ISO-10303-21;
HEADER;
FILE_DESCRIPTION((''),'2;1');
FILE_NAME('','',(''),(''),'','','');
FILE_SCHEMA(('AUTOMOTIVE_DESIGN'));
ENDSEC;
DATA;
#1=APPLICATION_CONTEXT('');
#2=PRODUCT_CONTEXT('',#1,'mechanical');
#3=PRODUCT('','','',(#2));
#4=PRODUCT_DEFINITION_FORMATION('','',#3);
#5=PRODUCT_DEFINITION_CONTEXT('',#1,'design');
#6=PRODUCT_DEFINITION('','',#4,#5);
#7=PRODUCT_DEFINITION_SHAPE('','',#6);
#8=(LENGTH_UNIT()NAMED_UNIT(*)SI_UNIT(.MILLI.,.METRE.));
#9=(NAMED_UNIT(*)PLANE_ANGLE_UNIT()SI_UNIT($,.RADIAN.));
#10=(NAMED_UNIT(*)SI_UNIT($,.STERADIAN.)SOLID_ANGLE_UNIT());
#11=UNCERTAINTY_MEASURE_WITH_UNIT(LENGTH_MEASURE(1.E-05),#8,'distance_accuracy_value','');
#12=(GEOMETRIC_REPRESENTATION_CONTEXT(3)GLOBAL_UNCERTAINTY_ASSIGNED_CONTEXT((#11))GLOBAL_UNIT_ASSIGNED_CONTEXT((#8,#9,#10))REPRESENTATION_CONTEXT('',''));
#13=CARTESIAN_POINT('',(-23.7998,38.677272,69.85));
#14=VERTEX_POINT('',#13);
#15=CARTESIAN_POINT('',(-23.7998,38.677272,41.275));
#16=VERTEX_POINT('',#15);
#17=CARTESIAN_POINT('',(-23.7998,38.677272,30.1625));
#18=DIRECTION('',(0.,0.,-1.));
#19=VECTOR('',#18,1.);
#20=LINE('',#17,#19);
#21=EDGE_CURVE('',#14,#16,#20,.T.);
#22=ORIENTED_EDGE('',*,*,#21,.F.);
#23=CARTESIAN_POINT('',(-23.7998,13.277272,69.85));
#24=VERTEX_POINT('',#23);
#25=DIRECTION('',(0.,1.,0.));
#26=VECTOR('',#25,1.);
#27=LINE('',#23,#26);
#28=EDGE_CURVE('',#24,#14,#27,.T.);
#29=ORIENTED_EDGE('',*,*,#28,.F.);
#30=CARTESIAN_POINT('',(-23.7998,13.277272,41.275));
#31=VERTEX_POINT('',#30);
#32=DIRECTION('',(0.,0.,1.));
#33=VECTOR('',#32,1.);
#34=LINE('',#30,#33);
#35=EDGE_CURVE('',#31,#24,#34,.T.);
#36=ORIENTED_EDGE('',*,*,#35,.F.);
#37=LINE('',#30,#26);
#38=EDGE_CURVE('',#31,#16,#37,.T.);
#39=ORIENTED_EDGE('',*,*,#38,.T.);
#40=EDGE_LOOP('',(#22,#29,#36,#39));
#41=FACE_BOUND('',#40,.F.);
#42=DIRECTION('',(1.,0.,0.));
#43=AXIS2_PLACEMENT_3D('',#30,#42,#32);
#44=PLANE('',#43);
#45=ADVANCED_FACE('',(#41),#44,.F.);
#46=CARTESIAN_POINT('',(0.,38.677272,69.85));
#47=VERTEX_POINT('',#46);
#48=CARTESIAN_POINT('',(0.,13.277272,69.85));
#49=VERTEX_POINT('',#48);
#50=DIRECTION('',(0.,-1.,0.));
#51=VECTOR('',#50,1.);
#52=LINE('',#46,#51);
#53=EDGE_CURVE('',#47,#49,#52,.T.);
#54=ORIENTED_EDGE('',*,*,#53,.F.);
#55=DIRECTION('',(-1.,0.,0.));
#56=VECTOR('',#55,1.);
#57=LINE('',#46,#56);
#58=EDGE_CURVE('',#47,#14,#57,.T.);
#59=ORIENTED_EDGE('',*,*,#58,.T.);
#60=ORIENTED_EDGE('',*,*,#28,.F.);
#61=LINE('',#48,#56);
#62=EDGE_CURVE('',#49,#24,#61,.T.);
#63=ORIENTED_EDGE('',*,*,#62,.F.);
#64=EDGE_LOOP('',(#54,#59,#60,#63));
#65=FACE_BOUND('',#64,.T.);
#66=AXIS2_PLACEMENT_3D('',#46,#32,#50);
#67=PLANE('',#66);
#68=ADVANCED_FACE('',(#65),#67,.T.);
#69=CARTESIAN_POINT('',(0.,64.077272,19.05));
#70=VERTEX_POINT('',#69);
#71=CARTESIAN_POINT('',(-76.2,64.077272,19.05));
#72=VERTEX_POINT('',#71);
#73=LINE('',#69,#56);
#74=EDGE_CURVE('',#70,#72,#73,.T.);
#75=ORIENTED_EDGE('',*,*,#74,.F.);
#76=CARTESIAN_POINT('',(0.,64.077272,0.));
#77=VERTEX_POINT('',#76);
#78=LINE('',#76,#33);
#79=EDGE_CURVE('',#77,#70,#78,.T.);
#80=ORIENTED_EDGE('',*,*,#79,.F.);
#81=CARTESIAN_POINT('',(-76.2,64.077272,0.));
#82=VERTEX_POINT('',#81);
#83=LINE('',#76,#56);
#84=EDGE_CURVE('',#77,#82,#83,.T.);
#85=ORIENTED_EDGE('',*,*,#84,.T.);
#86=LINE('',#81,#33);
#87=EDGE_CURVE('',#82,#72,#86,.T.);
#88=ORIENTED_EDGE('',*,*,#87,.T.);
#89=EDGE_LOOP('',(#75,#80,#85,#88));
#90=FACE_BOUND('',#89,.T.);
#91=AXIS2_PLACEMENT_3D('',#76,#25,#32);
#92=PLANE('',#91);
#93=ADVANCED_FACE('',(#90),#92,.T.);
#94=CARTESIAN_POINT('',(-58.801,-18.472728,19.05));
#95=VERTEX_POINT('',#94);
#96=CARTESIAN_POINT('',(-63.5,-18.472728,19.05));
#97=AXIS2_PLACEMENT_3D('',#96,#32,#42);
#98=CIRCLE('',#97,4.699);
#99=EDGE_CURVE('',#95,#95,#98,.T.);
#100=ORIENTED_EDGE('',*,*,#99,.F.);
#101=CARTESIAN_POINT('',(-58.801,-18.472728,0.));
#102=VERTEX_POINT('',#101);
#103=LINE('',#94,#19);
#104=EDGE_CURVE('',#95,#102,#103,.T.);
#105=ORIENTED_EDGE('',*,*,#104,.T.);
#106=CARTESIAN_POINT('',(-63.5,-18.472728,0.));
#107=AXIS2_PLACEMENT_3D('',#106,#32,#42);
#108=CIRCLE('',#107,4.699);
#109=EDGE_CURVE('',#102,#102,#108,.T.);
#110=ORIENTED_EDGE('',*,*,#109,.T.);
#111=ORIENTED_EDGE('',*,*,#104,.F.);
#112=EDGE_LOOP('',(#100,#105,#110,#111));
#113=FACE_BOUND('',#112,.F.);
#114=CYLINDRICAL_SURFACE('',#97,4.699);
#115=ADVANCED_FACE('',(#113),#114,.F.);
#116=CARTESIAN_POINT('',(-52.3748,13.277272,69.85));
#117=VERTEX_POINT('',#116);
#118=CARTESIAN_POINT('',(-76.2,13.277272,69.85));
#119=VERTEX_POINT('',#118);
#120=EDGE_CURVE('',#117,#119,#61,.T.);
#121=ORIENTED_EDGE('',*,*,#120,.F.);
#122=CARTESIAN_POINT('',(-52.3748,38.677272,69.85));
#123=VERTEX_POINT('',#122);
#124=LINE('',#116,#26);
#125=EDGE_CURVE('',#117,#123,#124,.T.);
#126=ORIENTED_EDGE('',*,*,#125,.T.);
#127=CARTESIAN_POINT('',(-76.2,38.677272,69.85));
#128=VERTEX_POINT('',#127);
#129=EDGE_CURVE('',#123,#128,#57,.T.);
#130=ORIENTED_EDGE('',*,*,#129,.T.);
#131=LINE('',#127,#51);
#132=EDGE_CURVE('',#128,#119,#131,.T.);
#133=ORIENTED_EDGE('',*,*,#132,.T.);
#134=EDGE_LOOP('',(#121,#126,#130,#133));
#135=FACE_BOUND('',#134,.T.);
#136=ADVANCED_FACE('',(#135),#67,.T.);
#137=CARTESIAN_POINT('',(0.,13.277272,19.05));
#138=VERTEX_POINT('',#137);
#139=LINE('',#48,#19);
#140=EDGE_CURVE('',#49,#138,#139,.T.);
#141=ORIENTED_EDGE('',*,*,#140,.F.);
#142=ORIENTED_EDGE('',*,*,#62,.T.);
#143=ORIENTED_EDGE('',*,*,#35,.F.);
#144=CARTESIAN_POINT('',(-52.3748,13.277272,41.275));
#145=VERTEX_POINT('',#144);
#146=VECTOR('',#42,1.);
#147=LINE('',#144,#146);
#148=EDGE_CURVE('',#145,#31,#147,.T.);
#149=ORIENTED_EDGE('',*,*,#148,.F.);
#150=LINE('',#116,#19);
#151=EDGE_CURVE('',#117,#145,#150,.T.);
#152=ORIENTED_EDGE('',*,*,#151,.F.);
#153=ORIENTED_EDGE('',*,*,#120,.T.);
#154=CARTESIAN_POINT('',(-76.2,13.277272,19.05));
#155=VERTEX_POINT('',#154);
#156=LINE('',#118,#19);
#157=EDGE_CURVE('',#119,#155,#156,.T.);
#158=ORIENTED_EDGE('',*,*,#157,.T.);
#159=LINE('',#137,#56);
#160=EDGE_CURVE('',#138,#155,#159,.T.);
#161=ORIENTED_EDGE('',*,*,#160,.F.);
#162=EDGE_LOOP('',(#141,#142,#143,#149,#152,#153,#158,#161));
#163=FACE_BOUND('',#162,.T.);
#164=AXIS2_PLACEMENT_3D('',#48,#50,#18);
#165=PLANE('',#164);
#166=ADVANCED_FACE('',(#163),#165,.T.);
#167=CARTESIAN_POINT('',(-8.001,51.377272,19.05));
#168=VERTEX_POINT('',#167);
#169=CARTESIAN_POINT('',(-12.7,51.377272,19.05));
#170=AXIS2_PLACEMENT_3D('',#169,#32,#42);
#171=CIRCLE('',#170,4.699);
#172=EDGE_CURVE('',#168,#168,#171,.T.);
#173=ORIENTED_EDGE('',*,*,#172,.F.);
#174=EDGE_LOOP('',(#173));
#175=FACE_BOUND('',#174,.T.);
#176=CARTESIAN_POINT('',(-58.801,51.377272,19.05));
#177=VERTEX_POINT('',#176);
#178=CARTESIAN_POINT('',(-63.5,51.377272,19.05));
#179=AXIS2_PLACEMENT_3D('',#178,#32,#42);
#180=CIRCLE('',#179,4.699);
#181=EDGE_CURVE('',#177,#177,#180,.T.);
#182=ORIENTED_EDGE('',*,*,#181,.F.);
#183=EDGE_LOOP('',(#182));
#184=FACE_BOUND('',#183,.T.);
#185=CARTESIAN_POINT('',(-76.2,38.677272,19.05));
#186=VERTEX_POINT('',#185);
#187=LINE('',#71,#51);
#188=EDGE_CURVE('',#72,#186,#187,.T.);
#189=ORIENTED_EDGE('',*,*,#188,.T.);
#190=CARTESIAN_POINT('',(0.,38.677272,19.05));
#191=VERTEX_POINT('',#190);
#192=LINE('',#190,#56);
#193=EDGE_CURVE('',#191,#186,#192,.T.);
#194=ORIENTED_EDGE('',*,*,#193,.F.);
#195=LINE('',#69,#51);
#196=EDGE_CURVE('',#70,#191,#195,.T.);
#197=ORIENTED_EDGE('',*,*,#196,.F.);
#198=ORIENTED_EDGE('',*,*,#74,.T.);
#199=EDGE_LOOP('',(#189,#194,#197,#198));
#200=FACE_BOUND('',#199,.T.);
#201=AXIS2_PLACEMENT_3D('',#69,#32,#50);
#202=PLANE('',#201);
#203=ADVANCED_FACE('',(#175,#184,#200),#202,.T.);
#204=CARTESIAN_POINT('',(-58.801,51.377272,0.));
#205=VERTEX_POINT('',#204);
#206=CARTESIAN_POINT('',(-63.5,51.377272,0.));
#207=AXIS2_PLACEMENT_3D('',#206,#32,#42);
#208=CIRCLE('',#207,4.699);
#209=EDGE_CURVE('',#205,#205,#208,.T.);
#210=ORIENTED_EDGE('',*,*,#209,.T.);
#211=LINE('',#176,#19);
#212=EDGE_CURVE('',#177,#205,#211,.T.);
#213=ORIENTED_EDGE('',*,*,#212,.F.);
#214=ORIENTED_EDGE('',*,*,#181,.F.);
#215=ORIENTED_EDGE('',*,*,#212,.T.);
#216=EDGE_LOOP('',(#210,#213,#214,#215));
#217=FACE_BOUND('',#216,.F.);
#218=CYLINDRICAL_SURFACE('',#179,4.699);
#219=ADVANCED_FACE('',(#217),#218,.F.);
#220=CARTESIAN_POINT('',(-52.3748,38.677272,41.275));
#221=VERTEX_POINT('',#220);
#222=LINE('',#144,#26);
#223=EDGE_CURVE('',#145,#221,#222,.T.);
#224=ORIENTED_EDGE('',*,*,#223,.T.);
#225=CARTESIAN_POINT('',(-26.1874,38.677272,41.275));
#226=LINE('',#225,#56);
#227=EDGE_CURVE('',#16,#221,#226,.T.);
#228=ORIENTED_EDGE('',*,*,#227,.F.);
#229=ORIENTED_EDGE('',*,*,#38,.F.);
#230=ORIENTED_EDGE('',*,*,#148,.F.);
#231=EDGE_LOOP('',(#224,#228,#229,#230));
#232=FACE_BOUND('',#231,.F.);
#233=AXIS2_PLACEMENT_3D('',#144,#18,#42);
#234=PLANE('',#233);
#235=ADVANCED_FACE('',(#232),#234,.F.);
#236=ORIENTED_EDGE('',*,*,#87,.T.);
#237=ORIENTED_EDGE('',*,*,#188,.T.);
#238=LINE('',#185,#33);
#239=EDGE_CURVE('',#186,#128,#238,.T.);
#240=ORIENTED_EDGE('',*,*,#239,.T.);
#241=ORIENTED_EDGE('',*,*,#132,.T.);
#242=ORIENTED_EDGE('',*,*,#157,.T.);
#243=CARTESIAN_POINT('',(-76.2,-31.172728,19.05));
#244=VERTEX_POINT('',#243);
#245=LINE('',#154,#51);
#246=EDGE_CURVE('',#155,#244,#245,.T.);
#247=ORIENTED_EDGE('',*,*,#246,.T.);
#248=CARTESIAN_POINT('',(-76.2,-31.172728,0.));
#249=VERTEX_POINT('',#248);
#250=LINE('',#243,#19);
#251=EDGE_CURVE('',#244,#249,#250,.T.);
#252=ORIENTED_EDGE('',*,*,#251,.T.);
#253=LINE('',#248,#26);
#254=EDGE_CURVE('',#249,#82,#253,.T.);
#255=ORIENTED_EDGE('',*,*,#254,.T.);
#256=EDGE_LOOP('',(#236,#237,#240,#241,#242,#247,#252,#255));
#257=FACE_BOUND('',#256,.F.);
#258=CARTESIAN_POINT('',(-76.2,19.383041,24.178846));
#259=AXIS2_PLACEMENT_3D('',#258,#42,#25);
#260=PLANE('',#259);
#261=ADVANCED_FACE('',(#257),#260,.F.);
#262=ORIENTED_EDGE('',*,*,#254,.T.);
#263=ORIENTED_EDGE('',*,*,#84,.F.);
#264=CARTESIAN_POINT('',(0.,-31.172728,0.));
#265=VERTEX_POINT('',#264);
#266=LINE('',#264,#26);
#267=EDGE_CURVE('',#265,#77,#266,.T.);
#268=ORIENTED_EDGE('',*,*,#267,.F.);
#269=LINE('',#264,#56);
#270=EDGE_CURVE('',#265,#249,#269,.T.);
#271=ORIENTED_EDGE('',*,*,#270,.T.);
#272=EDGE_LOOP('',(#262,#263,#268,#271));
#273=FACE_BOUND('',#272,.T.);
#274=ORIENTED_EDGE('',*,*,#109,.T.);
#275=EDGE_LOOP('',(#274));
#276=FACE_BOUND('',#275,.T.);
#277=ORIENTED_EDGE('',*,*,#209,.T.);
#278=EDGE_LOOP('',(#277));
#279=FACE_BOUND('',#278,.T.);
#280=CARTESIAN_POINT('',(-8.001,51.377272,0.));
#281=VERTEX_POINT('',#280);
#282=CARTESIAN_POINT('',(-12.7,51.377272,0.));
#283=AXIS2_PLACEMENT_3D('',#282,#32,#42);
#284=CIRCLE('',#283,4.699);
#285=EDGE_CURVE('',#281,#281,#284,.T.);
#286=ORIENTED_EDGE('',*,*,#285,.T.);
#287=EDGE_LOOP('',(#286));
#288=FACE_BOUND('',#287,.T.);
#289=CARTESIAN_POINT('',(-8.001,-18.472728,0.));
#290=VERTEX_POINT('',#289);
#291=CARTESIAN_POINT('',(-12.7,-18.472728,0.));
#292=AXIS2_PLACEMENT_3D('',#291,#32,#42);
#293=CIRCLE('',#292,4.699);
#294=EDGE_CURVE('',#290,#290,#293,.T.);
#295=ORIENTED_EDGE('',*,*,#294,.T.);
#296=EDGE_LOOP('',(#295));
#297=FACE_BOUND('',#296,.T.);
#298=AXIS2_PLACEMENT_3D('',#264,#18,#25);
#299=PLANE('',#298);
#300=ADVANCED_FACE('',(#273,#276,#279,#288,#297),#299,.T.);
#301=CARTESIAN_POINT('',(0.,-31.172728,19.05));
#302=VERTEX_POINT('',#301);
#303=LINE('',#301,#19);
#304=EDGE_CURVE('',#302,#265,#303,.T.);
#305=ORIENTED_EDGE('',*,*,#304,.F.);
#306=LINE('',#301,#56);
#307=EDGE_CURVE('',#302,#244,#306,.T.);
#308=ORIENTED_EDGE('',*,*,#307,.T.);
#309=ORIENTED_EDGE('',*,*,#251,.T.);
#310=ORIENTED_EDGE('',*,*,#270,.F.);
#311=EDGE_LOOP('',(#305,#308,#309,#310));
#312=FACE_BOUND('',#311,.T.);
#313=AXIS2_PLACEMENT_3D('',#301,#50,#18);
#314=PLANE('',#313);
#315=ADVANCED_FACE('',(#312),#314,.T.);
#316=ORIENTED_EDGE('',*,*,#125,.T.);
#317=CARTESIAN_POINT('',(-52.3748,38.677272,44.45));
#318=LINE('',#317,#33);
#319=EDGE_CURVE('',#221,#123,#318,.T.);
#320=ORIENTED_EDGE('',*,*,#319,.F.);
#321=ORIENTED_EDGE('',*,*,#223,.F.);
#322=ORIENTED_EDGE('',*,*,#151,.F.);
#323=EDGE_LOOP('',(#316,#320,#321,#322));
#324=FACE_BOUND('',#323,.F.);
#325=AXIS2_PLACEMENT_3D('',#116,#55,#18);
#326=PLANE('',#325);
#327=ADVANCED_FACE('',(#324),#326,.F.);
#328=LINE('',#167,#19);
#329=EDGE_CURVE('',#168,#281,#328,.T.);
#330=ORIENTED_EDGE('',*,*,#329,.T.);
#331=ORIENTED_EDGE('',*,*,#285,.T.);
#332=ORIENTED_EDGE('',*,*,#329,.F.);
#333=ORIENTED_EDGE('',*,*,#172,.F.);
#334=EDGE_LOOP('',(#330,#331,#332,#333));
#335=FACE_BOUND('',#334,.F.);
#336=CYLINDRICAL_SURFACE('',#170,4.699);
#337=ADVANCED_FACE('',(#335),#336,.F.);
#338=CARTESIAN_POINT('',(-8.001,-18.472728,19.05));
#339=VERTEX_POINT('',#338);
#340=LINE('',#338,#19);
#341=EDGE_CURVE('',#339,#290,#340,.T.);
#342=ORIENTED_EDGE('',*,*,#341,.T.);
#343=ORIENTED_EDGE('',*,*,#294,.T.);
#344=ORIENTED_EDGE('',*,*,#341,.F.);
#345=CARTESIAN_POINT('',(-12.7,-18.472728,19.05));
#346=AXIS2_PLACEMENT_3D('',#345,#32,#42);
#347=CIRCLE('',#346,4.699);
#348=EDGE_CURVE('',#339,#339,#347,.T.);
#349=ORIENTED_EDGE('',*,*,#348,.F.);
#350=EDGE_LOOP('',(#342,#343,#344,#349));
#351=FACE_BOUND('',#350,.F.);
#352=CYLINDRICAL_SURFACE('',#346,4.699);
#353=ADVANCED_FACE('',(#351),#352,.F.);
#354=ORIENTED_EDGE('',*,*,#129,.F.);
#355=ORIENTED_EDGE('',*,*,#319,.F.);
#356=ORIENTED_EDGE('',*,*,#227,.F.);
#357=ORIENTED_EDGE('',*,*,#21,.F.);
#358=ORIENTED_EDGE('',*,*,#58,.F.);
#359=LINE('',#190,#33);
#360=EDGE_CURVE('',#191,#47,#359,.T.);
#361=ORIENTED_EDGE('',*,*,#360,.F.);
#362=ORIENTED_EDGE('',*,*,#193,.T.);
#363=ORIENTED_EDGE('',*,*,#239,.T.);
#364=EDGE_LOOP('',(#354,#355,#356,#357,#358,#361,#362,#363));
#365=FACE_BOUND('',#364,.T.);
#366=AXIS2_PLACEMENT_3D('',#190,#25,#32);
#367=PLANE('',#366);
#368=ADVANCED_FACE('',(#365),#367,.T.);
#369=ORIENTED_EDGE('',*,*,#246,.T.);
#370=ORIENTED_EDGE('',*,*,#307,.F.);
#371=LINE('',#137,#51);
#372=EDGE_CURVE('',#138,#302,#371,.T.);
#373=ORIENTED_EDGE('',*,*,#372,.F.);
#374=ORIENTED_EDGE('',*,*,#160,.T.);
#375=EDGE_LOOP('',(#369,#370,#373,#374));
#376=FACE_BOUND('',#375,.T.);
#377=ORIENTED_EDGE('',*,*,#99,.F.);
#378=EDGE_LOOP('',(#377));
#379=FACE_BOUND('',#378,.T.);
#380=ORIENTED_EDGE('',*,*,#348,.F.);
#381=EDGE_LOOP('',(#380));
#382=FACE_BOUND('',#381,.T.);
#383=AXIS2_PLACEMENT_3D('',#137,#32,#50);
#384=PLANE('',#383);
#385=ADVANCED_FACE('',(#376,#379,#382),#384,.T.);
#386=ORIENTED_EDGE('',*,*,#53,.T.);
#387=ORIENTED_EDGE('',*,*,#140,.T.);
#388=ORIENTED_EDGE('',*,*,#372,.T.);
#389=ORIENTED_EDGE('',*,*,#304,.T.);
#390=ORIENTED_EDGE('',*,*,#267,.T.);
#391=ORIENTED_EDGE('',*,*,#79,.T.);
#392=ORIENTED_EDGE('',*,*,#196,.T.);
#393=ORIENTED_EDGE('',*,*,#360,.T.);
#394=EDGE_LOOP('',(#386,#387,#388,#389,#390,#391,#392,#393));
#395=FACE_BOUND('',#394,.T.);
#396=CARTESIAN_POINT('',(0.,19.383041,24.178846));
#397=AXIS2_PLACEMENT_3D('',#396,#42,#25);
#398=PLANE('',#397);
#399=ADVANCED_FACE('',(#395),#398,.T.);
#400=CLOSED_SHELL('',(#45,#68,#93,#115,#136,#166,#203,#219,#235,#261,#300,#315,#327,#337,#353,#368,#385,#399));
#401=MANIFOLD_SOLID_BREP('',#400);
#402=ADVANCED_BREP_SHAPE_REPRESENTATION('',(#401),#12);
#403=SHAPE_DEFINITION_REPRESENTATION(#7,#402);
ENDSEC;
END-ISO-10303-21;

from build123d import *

# Parameters (mm, degrees)
F1_DEPTH = 76.2
F3_DEPTH = 50.801
F5_R     = 4.699
F6_DEPTH = 19.051
F4_R     = 4.699
F7_DEPTH = 19.051


with BuildPart() as f1:
    # F0 (on Right) → F1 (new body)
    with BuildSketch(Plane.YZ):
        Polygon((-31.172728, 19.05), (-31.172728, 0), (64.077272, 0), (64.077272, 19.05), (38.677272, 19.05), (38.677272, 69.85), (13.277272, 69.85), (13.277272, 19.05), align=None)
    extrude(amount=-F1_DEPTH)

    # F2 (on face) → F3 (cut, through all)
    with BuildSketch(Plane.XZ.offset(-13.277272)):
        Polygon((-23.7998, 69.85), (-52.3748, 69.85), (-52.3748, 46.165325), (-52.3748, 41.275), (-23.7998, 41.275), align=None)
    extrude(amount=-F3_DEPTH, mode=Mode.SUBTRACT)

    # F5 (on face) → F6 (cut, through all)
    with BuildSketch(Plane.XY.offset(19.05)):
        with Locations((-63.5, 51.377272)):
            Circle(F5_R)
        with Locations((-12.7, 51.377272)):
            Circle(F5_R)
    extrude(amount=-F6_DEPTH, mode=Mode.SUBTRACT)

    # F4 (on face) → F7 (cut, through all)
    with BuildSketch(Plane.XY.offset(19.05)):
        with Locations((-63.5, -18.472728)):
            Circle(F4_R)
        with Locations((-12.7, -18.472728)):
            Circle(F4_R)
    extrude(amount=-F7_DEPTH, mode=Mode.SUBTRACT)


solid = f1.part
